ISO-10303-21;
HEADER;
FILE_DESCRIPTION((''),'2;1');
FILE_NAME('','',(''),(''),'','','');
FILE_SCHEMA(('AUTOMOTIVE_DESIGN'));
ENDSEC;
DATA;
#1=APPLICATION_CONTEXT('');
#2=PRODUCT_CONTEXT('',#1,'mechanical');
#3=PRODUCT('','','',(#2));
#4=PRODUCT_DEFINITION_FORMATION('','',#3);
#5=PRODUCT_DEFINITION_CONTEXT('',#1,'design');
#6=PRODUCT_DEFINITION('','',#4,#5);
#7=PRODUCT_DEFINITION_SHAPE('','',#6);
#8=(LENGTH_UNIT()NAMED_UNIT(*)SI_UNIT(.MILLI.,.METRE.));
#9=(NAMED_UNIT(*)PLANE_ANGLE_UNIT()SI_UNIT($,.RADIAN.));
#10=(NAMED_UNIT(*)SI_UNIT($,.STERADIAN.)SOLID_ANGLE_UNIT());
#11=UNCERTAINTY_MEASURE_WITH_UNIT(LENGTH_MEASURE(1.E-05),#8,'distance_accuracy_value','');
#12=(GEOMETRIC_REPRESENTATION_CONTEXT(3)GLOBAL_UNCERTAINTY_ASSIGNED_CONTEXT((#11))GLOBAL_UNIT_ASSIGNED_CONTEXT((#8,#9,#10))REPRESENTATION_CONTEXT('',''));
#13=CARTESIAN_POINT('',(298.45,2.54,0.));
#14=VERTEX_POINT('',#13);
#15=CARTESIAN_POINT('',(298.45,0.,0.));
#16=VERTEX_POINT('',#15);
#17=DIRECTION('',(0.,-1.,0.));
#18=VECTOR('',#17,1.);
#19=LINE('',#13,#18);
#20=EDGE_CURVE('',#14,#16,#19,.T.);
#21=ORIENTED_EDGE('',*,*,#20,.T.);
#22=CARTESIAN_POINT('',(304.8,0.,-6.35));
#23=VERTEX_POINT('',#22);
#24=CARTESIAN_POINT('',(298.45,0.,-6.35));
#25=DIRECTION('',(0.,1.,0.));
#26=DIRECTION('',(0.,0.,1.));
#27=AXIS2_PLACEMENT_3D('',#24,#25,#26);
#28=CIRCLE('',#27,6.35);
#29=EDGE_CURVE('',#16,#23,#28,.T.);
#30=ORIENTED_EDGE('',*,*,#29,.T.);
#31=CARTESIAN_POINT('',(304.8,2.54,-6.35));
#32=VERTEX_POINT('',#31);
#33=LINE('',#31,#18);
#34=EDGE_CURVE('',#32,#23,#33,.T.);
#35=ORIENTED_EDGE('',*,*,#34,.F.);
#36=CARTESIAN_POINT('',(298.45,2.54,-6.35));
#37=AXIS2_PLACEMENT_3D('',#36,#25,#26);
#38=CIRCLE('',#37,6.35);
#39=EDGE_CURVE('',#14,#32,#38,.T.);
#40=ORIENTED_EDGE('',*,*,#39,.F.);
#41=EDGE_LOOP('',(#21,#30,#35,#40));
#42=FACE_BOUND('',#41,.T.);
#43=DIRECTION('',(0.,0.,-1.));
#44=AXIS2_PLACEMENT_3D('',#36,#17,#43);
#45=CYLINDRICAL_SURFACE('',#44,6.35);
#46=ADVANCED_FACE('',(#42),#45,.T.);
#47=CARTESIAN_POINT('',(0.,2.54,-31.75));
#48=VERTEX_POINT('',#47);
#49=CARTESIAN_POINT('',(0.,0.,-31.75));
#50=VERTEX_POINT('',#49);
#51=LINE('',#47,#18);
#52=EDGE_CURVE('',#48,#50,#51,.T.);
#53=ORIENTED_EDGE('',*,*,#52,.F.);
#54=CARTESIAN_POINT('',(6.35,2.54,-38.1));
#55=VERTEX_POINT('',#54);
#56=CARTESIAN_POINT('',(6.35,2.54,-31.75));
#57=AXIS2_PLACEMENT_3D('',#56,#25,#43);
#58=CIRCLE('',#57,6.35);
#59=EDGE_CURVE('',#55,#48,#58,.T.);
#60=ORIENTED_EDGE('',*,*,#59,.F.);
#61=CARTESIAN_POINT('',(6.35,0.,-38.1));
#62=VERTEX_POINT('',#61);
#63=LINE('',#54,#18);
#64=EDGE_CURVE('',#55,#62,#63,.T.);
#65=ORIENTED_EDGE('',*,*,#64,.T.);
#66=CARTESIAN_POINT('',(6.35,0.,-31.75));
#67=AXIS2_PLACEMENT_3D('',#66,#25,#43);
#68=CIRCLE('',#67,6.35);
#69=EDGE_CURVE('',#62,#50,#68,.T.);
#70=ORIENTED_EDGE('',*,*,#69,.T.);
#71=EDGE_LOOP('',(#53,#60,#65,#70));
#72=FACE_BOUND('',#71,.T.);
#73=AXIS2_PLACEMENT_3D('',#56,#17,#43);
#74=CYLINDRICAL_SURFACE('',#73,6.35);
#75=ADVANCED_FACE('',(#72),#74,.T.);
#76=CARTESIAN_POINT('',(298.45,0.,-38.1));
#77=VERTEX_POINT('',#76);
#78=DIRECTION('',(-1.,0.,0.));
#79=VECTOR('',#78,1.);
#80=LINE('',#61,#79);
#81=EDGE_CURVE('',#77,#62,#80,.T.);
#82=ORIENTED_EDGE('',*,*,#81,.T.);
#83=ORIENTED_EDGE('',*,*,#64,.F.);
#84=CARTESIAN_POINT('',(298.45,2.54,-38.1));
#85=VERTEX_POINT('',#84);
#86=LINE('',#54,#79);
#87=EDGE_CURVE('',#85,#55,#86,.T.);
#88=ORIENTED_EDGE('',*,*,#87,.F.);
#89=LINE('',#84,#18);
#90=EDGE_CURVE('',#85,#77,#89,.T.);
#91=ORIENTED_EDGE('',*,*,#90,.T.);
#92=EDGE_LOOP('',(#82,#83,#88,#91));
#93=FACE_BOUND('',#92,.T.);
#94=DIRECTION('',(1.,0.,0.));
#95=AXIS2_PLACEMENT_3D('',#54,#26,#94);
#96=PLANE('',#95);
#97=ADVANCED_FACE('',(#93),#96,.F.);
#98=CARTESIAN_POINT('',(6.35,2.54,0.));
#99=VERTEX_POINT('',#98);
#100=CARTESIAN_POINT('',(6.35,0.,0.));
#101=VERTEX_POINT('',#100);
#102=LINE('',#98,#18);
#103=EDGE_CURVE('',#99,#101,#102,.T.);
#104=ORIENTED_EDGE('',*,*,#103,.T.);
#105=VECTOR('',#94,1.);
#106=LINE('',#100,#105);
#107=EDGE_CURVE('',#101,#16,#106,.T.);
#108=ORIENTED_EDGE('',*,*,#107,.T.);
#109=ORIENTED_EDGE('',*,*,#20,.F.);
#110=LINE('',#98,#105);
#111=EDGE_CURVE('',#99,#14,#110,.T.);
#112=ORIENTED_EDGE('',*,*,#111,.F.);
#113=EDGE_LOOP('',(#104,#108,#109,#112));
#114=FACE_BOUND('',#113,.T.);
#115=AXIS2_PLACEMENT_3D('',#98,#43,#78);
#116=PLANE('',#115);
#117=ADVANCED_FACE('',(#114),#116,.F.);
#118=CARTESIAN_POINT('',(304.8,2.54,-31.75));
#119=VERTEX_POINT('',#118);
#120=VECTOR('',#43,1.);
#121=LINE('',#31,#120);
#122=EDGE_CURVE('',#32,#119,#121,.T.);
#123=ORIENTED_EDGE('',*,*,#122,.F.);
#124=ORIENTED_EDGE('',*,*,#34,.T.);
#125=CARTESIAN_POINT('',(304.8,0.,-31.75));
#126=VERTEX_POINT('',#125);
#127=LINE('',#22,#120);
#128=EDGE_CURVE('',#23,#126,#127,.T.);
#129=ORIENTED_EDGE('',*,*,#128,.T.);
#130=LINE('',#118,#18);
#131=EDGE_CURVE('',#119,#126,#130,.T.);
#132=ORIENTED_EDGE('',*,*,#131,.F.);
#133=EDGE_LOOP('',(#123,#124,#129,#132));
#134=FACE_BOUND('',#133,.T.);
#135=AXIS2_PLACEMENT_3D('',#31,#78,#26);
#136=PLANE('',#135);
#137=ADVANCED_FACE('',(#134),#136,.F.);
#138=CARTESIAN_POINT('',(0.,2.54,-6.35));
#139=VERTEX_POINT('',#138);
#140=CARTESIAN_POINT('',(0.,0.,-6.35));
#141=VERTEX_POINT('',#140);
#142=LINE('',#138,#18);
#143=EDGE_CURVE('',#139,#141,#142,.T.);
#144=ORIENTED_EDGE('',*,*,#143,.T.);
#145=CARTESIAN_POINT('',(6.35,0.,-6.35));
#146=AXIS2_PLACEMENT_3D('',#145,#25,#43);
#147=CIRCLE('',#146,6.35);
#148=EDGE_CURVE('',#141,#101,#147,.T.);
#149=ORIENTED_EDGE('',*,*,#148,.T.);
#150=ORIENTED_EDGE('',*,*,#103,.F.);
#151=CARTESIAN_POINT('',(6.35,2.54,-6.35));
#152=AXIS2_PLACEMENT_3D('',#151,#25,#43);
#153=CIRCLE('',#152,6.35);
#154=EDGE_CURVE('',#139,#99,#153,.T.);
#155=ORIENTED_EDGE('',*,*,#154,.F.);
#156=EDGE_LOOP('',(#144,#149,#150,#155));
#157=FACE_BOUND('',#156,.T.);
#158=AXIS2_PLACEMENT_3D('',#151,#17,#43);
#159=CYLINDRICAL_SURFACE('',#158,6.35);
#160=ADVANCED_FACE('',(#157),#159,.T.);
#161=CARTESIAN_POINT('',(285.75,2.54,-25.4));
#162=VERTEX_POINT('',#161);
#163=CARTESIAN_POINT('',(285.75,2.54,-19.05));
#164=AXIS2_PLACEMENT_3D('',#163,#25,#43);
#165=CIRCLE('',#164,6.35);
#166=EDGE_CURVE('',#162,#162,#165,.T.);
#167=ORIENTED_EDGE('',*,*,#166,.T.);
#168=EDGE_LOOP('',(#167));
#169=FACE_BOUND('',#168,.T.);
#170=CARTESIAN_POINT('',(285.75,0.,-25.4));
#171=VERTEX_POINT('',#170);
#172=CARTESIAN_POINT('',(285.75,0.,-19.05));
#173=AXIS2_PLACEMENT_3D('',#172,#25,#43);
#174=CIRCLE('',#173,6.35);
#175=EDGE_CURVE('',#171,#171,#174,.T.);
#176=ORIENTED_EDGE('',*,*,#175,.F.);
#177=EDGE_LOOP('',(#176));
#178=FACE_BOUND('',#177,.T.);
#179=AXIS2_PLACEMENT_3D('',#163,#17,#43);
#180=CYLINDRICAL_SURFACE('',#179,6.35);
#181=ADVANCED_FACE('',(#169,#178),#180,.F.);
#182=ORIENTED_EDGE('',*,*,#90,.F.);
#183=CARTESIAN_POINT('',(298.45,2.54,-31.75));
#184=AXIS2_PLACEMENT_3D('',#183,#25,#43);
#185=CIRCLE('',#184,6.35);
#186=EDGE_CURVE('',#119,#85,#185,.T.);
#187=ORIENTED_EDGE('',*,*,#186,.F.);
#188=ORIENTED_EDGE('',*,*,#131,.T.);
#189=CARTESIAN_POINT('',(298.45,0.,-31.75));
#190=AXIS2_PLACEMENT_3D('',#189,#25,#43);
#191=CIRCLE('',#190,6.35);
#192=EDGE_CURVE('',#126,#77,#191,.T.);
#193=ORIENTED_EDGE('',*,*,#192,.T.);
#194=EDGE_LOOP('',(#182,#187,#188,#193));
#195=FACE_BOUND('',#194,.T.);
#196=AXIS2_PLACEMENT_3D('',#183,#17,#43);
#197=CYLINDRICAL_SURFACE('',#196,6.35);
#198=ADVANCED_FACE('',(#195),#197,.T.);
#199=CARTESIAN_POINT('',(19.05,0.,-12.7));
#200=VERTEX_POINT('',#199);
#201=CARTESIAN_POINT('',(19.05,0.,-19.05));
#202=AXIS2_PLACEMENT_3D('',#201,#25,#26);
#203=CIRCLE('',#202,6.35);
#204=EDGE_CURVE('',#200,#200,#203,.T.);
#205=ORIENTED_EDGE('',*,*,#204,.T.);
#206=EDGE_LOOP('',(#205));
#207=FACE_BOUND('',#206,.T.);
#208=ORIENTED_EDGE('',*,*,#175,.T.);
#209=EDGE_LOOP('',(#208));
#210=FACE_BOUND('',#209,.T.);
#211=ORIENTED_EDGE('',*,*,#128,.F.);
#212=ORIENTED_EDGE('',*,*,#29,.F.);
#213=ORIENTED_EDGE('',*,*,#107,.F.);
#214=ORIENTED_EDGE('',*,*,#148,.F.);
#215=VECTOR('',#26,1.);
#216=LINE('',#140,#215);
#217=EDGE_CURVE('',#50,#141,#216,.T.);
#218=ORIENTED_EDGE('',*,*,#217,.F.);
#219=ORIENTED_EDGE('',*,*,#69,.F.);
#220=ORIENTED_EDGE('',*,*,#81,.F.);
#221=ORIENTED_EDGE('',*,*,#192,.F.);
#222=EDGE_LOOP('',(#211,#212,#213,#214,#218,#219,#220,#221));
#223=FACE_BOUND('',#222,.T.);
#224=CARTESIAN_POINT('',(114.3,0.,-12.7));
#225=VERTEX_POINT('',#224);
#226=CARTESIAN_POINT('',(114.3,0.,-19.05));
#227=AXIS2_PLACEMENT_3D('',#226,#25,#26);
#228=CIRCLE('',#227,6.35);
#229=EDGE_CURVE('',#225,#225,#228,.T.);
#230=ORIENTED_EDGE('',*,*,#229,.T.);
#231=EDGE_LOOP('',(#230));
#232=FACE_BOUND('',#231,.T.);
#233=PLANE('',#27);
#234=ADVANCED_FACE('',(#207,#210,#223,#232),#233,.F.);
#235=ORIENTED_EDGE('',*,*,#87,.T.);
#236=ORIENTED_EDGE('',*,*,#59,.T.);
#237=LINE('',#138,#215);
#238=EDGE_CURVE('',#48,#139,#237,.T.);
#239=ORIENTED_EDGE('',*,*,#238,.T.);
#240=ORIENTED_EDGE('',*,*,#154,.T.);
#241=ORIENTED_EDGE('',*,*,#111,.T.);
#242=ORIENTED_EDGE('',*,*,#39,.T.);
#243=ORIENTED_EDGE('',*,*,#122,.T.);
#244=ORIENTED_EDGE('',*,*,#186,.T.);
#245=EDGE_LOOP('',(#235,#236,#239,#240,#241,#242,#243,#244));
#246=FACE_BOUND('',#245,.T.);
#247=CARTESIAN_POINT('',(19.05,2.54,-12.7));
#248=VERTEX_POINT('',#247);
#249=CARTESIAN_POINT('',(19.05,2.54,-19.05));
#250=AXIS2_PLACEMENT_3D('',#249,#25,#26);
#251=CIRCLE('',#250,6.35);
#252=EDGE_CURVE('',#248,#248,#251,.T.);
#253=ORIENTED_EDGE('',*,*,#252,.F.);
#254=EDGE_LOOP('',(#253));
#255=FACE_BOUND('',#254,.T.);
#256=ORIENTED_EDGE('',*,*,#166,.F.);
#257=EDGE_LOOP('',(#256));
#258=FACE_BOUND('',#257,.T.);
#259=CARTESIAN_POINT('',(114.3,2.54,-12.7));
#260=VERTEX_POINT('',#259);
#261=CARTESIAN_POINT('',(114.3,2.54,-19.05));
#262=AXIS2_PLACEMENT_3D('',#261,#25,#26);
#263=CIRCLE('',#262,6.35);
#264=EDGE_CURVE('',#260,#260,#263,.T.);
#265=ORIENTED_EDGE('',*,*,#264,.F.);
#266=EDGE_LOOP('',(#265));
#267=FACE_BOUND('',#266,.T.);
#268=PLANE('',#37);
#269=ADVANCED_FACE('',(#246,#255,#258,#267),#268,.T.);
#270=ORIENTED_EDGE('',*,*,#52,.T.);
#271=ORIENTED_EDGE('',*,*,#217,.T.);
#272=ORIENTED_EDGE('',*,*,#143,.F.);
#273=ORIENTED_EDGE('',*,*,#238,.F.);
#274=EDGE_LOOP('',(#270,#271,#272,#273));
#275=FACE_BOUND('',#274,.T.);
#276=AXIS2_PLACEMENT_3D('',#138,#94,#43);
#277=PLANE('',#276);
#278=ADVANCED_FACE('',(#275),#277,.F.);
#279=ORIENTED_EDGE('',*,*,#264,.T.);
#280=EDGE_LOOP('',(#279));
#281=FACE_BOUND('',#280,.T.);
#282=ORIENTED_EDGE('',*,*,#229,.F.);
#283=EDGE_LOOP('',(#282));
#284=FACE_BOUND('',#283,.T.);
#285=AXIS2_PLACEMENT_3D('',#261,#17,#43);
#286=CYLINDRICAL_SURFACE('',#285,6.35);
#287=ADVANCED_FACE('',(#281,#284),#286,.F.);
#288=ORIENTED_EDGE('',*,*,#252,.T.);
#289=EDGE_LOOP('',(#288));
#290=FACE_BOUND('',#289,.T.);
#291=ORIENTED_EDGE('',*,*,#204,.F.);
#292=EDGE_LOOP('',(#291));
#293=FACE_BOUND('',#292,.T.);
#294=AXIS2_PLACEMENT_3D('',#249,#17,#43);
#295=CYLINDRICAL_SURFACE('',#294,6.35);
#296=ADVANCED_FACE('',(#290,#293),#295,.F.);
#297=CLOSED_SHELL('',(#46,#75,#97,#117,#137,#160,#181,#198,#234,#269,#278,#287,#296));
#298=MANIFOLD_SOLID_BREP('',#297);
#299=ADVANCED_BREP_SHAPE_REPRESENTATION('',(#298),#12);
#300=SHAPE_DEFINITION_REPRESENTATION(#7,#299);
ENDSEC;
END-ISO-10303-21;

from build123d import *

# Parameters (mm, degrees)
SKETCH1_R           = 6.35
BOSS_EXTRUDE1_DEPTH = 2.54


with BuildPart() as part:
    # Sketch1 → Boss-Extrude1 (new body)
    with BuildSketch(Plane(origin=(0, 0, 0), x_dir=(1, 0, 0), z_dir=(0, 1, 0))):
        with BuildLine():
            Line((6.35, 0), (298.45, 0))
            ThreePointArc((298.45, 0), (302.940128061, 1.859871939), (304.8, 6.35))
            Line((304.8, 6.35), (304.8, 31.75))
            ThreePointArc((304.8, 31.75), (302.940128061, 36.240128061), (298.45, 38.1))
            Line((298.45, 38.1), (6.35, 38.1))
            ThreePointArc((6.35, 38.1), (1.859871939, 36.240128061), (0, 31.75))
            Line((0, 31.75), (0, 6.35))
            ThreePointArc((0, 6.35), (1.859871939, 1.859871939), (6.35, 0))
        make_face()
        with Locations((19.05, 19.05)):
            Circle(SKETCH1_R, mode=Mode.SUBTRACT)
        with Locations((285.75, 19.05)):
            Circle(SKETCH1_R, mode=Mode.SUBTRACT)
        with Locations((114.3, 19.05)):
            Circle(SKETCH1_R, mode=Mode.SUBTRACT)
    extrude(amount=BOSS_EXTRUDE1_DEPTH)


solid = part.part
